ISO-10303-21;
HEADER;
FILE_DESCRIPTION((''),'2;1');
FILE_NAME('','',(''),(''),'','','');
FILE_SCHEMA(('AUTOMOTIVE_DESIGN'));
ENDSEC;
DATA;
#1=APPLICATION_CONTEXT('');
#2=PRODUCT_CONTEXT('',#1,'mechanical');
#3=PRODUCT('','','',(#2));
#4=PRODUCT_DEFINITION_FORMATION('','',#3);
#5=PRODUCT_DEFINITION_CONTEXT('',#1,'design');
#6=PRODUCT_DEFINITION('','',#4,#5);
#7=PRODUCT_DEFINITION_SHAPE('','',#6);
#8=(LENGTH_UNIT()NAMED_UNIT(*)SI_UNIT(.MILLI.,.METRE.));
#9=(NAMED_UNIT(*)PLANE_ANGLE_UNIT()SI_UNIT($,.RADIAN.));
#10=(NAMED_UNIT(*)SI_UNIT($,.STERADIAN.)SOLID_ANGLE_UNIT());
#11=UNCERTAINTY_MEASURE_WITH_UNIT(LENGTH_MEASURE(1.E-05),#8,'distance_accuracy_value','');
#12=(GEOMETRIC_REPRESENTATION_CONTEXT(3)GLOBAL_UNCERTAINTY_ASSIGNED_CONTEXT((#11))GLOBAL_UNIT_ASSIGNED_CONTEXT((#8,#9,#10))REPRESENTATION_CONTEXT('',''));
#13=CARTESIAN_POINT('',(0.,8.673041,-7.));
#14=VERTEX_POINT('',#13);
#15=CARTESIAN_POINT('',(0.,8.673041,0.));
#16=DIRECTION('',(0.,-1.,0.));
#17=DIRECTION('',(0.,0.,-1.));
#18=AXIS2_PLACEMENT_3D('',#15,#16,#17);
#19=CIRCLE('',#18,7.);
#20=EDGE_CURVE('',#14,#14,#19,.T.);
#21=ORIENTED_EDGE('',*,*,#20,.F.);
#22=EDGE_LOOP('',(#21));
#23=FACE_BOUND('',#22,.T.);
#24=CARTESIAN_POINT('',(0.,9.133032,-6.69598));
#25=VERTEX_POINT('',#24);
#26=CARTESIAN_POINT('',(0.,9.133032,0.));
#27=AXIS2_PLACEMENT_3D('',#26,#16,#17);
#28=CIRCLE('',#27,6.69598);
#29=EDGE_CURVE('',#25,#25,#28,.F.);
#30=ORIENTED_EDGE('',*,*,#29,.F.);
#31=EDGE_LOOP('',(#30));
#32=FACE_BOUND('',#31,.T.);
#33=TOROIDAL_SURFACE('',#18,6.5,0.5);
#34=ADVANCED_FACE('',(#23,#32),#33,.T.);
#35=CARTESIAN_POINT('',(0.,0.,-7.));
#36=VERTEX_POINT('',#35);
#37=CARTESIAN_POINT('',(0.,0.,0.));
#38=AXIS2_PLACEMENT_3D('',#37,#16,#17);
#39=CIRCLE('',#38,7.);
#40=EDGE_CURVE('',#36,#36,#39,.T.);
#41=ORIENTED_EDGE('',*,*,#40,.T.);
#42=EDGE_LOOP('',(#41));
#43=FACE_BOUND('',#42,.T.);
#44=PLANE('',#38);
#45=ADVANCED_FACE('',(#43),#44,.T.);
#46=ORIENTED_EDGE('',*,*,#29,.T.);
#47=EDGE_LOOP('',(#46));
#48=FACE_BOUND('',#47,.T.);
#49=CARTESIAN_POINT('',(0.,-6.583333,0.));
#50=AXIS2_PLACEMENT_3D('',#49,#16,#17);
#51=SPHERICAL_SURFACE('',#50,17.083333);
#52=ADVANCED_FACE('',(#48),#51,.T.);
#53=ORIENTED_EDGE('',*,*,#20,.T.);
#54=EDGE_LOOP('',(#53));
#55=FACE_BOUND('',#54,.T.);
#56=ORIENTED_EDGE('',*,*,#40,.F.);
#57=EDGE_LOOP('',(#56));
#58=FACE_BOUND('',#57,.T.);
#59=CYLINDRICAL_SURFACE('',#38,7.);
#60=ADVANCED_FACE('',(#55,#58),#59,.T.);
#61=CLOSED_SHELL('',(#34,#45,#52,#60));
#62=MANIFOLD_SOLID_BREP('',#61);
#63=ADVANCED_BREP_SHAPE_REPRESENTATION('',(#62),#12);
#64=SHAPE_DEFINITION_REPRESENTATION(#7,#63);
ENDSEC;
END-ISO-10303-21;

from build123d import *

# Parameters (mm, degrees)
FILLET1_R = 0.5


with BuildPart() as part:
    # Sketch2 → Revolve1 (revolve)
    with BuildSketch(Plane(origin=(0, 0, 0), x_dir=(0, 0, -1), z_dir=(1, 0, 0))):
        with BuildLine():
            Line((0, 0), (7, 0))
            Line((7, 0), (7, 9))
            ThreePointArc((7, 9), (3.579455266, 10.12079124), (0, 10.5))
            Line((0, 10.5), (0, 0))
        make_face()
    revolve(axis=Axis((0, 0, 0), (0, 1, 0)))

    # Fillet1
    fillet1_edges = [part.edges().sort_by_distance(p)[0] for p in [
        (0, 9, 7),
    ]]
    fillet(fillet1_edges, radius=FILLET1_R)


solid = part.part
